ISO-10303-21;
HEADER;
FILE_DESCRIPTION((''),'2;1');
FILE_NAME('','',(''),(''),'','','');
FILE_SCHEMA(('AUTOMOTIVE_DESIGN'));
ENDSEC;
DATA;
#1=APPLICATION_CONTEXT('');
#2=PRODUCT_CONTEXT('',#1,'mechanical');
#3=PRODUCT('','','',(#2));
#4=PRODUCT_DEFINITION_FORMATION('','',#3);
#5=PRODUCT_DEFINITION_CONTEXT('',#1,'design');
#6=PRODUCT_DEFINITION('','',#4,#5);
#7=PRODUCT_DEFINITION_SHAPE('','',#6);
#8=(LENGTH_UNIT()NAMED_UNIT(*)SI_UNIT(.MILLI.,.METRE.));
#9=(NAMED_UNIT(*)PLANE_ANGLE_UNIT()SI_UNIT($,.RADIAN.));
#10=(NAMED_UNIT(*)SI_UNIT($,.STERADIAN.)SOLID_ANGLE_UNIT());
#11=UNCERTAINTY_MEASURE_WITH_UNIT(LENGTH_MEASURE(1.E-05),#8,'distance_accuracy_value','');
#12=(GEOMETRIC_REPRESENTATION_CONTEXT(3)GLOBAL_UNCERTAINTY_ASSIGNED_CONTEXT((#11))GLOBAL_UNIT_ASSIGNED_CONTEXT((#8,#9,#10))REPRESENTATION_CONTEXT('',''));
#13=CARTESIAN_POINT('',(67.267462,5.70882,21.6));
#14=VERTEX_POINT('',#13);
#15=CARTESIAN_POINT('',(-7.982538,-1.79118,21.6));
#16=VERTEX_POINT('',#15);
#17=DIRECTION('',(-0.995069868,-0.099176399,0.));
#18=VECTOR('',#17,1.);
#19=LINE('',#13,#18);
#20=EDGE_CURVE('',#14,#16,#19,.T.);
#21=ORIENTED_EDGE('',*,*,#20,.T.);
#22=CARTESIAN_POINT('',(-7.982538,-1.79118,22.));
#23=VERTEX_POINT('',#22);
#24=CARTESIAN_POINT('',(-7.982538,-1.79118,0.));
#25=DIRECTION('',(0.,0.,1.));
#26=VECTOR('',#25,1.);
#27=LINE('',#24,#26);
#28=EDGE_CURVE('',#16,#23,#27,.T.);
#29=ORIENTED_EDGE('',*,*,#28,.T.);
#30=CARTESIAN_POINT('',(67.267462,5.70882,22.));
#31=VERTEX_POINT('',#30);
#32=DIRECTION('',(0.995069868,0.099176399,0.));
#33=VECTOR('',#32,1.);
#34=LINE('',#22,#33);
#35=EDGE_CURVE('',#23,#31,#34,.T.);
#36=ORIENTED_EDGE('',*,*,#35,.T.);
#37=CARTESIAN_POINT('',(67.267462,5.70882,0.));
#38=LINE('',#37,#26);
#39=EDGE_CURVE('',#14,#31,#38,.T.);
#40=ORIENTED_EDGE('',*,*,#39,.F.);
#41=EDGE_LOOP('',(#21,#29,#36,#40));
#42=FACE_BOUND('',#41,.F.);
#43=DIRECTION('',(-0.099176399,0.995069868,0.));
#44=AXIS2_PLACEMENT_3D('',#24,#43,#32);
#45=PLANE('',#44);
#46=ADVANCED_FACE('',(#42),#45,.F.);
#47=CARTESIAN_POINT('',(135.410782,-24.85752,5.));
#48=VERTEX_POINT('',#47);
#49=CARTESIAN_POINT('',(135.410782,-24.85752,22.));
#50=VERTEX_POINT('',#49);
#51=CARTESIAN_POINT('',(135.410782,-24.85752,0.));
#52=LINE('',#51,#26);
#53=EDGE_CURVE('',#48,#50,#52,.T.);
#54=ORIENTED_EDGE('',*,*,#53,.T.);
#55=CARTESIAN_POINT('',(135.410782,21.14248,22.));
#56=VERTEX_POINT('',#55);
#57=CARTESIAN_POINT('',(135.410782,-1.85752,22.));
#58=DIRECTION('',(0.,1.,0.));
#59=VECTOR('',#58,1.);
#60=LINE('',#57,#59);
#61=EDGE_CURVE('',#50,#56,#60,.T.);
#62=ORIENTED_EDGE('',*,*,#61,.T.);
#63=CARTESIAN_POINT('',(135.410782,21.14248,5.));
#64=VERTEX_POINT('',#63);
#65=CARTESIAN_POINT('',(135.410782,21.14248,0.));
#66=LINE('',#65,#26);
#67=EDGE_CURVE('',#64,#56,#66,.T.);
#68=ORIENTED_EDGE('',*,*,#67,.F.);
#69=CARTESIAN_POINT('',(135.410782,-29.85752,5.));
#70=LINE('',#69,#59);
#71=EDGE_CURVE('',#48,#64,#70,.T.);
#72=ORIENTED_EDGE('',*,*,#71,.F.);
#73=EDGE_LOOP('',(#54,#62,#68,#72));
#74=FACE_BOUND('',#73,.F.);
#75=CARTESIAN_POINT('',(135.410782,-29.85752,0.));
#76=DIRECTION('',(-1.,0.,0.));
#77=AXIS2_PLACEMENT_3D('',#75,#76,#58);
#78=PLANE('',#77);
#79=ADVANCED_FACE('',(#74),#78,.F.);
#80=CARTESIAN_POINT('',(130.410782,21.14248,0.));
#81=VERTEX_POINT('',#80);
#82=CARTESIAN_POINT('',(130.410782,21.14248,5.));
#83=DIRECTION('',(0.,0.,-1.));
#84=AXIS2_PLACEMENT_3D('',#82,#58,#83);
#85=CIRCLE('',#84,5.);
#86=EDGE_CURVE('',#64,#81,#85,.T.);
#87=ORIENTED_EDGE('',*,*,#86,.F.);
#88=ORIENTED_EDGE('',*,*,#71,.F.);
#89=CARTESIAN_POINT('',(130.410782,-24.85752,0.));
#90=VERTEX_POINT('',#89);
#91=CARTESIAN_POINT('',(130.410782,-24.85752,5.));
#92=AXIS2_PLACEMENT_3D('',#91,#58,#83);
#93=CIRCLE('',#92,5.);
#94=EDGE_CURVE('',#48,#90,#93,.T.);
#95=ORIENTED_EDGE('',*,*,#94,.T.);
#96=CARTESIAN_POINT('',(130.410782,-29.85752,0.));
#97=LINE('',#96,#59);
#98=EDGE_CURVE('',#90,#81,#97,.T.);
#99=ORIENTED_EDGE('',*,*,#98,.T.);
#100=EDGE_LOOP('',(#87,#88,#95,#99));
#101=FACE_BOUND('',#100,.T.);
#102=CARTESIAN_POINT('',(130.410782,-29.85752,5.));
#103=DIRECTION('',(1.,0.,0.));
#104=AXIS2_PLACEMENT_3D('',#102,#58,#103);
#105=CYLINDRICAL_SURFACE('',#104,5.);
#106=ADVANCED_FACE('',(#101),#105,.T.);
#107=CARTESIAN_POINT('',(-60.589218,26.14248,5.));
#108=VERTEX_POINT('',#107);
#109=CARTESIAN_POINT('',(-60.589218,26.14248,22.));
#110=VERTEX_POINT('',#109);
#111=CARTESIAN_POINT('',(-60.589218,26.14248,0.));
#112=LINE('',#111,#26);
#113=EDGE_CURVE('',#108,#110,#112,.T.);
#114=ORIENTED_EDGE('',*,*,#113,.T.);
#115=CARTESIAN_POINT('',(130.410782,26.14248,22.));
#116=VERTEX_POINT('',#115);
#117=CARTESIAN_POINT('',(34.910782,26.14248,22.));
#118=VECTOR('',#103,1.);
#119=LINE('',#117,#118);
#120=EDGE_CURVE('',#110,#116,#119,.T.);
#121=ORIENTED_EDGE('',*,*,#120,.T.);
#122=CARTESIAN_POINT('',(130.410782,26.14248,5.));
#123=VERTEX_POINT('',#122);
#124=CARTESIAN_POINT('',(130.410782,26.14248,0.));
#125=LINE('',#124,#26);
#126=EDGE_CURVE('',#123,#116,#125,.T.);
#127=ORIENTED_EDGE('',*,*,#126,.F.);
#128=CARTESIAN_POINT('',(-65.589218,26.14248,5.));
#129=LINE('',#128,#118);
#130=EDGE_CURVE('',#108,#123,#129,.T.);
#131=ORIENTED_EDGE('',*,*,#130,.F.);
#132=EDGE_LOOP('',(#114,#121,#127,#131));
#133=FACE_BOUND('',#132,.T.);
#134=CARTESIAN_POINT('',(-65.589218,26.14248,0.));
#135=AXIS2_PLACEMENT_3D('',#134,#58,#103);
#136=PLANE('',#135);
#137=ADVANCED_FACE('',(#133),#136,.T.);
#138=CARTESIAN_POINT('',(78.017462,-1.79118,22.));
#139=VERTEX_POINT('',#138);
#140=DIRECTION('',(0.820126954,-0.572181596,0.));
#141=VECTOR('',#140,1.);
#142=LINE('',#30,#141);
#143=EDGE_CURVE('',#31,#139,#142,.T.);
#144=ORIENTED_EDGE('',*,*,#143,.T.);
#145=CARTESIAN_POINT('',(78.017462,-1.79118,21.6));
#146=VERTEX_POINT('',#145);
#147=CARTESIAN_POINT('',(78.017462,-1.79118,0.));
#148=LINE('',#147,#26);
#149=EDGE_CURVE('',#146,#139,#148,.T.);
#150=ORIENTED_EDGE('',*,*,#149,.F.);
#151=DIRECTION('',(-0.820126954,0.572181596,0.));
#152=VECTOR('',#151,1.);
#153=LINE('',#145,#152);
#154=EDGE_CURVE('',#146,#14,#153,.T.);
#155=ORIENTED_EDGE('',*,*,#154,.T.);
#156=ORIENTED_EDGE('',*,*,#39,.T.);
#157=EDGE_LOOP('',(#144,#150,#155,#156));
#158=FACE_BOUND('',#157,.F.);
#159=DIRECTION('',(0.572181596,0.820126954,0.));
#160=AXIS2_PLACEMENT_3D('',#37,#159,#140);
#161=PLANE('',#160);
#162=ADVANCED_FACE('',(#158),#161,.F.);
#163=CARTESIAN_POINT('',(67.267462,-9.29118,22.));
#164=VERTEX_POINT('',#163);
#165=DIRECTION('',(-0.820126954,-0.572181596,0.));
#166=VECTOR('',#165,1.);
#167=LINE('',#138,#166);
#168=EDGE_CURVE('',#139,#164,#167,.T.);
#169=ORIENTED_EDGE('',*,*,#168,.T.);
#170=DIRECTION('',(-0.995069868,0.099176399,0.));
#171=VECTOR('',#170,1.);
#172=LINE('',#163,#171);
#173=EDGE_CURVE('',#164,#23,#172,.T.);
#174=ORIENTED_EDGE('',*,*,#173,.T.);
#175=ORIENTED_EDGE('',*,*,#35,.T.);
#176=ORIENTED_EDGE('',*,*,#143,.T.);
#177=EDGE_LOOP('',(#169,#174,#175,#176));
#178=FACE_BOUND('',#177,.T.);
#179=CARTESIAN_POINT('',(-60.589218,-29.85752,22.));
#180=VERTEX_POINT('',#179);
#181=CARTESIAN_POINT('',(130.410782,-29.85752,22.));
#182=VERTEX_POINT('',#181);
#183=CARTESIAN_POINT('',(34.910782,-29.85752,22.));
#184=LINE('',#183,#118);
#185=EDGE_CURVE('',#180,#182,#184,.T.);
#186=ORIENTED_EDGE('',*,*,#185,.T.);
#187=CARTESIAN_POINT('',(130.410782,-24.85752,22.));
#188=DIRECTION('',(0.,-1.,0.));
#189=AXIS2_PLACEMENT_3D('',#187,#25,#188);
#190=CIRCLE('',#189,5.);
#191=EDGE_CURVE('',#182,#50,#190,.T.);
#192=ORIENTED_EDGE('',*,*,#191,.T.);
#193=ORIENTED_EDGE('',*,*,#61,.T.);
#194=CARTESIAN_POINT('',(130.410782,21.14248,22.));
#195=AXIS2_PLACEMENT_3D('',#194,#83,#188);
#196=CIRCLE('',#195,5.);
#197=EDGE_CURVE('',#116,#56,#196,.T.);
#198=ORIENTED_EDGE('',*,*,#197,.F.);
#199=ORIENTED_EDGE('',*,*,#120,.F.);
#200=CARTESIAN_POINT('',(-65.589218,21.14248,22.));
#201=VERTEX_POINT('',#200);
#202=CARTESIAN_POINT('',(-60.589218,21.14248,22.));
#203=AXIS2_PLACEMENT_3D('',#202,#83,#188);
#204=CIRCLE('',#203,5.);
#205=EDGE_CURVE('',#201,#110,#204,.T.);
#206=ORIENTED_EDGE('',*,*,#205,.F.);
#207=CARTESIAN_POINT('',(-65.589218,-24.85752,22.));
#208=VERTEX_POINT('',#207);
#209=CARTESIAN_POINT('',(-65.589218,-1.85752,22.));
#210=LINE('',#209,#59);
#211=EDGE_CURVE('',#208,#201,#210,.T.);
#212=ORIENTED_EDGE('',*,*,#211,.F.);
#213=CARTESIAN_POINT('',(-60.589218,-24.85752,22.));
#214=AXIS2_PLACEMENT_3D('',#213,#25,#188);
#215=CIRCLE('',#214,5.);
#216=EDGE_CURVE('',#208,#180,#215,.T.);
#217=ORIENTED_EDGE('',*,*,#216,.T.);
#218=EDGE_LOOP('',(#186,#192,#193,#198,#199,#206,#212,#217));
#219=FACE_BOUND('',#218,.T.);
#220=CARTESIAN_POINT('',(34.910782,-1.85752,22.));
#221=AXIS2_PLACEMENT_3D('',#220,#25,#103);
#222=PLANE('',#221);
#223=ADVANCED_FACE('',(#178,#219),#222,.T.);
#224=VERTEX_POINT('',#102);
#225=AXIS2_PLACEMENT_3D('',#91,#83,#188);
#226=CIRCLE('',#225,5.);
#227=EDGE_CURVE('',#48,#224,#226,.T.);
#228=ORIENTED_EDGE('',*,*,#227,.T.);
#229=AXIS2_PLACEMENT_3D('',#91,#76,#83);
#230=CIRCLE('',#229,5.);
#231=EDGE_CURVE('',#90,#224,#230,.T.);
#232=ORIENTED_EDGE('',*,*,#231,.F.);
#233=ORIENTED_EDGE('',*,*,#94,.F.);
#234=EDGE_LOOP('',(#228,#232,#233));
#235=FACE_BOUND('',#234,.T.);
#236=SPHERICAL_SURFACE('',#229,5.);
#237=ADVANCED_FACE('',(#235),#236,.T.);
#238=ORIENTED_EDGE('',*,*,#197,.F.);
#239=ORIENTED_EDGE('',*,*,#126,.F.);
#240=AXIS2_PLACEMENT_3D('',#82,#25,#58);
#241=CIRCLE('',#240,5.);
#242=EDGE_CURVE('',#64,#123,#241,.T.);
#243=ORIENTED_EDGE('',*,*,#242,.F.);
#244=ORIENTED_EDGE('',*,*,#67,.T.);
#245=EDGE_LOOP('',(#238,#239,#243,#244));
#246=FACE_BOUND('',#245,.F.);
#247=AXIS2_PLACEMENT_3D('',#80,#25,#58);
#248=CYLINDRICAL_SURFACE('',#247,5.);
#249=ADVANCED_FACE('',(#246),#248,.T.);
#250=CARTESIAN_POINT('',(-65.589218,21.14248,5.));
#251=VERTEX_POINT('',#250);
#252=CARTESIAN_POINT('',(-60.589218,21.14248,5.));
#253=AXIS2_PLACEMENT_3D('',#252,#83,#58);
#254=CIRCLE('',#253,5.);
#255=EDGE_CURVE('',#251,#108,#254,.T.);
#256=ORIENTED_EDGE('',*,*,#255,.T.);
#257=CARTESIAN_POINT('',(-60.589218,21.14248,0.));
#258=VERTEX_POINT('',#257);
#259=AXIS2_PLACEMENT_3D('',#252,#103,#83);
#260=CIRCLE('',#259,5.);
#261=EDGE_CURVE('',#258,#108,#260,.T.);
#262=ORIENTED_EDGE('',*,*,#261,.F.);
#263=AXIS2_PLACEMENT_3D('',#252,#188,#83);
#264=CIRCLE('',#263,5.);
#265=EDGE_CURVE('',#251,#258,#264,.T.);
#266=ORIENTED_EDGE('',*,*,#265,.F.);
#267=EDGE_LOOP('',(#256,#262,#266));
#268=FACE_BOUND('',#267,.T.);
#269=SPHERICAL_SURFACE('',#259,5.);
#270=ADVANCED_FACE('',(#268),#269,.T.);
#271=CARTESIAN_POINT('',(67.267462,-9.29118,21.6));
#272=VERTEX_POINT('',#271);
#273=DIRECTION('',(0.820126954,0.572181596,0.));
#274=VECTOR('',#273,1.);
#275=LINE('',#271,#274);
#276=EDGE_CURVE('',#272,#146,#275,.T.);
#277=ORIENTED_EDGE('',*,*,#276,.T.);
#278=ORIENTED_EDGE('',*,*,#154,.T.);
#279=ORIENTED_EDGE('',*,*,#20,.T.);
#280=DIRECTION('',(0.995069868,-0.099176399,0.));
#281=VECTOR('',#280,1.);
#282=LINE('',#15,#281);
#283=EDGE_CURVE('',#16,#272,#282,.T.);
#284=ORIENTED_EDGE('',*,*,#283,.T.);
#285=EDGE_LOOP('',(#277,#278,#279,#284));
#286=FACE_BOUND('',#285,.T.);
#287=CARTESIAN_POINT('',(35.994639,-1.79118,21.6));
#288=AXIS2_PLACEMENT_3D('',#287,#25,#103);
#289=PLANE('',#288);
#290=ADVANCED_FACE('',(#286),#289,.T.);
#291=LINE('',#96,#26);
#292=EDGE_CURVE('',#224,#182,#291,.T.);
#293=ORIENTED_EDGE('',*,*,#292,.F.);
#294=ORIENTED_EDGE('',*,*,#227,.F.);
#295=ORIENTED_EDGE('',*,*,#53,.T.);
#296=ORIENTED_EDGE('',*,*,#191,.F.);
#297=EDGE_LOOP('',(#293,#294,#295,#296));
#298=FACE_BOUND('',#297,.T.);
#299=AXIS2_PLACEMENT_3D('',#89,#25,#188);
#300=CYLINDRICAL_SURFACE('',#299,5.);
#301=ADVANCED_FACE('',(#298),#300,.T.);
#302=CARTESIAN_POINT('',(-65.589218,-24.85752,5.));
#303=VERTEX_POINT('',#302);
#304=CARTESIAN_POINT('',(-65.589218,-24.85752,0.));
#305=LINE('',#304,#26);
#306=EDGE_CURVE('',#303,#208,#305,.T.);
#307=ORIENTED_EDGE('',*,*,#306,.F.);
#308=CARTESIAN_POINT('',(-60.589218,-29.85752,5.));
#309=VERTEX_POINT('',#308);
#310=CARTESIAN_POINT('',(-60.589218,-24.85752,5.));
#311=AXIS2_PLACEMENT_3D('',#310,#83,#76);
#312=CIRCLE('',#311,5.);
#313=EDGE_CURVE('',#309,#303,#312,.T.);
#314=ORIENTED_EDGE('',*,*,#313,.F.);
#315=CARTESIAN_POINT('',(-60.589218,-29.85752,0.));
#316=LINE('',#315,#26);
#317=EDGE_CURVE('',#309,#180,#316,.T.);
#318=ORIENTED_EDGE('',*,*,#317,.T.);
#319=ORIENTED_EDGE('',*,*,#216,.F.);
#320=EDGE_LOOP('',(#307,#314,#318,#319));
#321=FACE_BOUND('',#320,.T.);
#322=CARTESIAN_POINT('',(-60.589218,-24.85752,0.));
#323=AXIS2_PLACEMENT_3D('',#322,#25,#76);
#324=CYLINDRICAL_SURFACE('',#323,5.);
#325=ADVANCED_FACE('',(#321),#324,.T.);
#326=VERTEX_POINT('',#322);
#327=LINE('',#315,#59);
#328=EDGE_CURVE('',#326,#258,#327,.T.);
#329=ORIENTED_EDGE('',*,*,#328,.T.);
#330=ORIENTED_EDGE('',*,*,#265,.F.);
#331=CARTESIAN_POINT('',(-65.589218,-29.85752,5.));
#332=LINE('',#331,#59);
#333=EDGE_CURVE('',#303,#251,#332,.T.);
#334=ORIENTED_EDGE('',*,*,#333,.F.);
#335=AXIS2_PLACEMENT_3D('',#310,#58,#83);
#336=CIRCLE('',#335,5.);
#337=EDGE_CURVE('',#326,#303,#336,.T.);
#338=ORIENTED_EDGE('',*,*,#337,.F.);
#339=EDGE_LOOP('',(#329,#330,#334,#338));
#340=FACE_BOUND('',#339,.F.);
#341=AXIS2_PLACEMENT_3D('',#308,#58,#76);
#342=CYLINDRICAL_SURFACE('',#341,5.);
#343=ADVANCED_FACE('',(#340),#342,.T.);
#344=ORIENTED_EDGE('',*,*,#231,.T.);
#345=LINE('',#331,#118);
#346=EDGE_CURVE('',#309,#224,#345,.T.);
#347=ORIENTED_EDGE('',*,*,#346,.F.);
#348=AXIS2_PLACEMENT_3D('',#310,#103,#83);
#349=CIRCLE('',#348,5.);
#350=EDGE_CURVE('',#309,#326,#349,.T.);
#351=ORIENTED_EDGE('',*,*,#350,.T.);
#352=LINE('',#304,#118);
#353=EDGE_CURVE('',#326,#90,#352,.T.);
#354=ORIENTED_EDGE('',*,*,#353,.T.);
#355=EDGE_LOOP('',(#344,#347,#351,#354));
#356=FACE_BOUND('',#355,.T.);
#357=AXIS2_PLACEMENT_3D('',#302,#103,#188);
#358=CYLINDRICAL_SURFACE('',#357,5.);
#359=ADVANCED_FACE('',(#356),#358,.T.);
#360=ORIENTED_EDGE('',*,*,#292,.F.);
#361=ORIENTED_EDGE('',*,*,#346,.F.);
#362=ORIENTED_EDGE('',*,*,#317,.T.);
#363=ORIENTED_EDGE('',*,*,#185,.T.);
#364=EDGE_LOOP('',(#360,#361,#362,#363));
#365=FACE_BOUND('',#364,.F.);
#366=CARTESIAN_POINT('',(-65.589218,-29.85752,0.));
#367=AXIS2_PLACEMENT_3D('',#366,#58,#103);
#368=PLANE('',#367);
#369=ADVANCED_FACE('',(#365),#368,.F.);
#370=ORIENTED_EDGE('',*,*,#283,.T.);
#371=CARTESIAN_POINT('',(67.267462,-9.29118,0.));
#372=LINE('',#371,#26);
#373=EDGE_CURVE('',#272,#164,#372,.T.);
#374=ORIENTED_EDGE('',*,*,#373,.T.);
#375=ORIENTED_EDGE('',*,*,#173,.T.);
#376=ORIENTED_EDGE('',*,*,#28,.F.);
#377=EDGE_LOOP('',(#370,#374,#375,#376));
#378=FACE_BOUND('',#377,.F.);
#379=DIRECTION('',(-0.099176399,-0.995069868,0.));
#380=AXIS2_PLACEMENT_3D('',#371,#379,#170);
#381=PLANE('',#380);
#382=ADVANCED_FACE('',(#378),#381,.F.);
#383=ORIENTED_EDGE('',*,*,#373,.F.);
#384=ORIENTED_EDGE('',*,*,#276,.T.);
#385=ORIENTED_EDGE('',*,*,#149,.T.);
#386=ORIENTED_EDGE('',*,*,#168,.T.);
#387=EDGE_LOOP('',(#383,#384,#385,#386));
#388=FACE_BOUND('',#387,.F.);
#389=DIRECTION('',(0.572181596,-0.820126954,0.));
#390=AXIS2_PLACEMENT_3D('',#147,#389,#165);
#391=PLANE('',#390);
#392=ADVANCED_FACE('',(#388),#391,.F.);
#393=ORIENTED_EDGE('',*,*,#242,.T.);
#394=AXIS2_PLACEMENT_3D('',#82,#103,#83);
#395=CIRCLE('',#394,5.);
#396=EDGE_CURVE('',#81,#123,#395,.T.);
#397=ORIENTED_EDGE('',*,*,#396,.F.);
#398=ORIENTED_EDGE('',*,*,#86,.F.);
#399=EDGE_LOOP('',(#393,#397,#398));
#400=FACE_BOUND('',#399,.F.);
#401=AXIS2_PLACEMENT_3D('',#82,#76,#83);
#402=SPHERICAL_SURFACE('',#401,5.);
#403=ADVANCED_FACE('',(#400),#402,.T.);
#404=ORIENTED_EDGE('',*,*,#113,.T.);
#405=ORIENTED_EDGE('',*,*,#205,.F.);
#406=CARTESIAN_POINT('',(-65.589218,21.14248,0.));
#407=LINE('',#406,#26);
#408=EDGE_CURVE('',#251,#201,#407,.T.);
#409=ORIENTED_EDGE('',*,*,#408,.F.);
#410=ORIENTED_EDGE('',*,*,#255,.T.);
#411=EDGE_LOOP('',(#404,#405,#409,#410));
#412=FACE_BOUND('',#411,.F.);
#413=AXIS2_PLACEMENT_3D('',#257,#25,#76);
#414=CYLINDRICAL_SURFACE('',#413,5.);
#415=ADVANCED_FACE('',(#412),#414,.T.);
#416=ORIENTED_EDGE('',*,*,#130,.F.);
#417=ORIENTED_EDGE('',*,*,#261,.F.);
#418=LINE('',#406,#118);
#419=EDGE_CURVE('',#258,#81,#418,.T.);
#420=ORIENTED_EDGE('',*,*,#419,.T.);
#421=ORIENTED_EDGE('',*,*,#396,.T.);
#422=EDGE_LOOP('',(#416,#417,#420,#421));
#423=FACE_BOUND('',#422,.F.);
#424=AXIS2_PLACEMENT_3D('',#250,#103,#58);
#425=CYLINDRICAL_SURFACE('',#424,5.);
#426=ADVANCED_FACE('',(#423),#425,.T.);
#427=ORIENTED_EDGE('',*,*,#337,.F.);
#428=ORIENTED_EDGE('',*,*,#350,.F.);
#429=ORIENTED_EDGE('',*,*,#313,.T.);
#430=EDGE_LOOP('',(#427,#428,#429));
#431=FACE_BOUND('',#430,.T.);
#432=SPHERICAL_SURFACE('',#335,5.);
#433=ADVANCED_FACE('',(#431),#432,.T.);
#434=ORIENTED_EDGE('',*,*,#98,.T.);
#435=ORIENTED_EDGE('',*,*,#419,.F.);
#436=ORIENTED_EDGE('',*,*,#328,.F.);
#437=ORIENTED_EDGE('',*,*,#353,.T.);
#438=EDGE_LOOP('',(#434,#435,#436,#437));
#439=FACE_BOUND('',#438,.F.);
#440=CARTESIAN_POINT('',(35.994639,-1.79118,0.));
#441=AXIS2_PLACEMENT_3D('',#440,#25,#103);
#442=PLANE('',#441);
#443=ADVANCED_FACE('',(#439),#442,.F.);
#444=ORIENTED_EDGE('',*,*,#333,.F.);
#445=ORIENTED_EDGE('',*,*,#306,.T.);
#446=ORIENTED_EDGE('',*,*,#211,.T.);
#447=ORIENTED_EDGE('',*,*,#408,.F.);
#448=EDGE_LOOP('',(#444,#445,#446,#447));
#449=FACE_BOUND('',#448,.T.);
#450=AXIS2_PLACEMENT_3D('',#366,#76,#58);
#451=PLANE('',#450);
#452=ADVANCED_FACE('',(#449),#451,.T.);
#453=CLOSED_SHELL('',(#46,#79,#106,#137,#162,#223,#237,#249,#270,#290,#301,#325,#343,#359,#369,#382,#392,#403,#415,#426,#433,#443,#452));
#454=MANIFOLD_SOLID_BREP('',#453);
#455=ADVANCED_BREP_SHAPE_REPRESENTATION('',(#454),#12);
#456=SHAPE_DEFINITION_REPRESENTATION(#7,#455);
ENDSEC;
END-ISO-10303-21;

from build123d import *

# Parameters (mm, degrees)
F0_W     = 201
F0_H     = 56
F1_DEPTH = 22
F2_R     = 5
F3_DEPTH = 21.6


with BuildPart() as f1:
    # F0 (on Top) → F1 (new body)
    with BuildSketch(Plane.XY):
        with Locations((34.910782, -1.85752)):
            Rectangle(F0_W, F0_H)
        Polygon((67.267462, -9.29118), (-7.982538, -1.79118), (67.267462, 5.70882), (78.017462, -1.79118), align=None, mode=Mode.SUBTRACT)
    extrude(amount=F1_DEPTH)

    # F2
    f2_edges = [f1.edges().sort_by_distance(p)[0] for p in [
        (34.910782, 26.14248, 0),
        (-65.589218, -1.85752, 0),
        (34.910782, -29.85752, 0),
        (135.410782, -1.85752, 0),
        (135.410782, 26.14248, 11),
        (-65.589218, 26.14248, 11),
        (-65.589218, -29.85752, 11),
        (135.410782, -29.85752, 11),
    ]]
    fillet(f2_edges, radius=F2_R)

    # F0 (on Top) → F3 (join)
    with BuildSketch(Plane.XY):
        Polygon((67.267462, 5.70882), (-7.982538, -1.79118), (67.267462, -9.29118), (78.017462, -1.79118), align=None)
    extrude(amount=F3_DEPTH)


solid = f1.part
